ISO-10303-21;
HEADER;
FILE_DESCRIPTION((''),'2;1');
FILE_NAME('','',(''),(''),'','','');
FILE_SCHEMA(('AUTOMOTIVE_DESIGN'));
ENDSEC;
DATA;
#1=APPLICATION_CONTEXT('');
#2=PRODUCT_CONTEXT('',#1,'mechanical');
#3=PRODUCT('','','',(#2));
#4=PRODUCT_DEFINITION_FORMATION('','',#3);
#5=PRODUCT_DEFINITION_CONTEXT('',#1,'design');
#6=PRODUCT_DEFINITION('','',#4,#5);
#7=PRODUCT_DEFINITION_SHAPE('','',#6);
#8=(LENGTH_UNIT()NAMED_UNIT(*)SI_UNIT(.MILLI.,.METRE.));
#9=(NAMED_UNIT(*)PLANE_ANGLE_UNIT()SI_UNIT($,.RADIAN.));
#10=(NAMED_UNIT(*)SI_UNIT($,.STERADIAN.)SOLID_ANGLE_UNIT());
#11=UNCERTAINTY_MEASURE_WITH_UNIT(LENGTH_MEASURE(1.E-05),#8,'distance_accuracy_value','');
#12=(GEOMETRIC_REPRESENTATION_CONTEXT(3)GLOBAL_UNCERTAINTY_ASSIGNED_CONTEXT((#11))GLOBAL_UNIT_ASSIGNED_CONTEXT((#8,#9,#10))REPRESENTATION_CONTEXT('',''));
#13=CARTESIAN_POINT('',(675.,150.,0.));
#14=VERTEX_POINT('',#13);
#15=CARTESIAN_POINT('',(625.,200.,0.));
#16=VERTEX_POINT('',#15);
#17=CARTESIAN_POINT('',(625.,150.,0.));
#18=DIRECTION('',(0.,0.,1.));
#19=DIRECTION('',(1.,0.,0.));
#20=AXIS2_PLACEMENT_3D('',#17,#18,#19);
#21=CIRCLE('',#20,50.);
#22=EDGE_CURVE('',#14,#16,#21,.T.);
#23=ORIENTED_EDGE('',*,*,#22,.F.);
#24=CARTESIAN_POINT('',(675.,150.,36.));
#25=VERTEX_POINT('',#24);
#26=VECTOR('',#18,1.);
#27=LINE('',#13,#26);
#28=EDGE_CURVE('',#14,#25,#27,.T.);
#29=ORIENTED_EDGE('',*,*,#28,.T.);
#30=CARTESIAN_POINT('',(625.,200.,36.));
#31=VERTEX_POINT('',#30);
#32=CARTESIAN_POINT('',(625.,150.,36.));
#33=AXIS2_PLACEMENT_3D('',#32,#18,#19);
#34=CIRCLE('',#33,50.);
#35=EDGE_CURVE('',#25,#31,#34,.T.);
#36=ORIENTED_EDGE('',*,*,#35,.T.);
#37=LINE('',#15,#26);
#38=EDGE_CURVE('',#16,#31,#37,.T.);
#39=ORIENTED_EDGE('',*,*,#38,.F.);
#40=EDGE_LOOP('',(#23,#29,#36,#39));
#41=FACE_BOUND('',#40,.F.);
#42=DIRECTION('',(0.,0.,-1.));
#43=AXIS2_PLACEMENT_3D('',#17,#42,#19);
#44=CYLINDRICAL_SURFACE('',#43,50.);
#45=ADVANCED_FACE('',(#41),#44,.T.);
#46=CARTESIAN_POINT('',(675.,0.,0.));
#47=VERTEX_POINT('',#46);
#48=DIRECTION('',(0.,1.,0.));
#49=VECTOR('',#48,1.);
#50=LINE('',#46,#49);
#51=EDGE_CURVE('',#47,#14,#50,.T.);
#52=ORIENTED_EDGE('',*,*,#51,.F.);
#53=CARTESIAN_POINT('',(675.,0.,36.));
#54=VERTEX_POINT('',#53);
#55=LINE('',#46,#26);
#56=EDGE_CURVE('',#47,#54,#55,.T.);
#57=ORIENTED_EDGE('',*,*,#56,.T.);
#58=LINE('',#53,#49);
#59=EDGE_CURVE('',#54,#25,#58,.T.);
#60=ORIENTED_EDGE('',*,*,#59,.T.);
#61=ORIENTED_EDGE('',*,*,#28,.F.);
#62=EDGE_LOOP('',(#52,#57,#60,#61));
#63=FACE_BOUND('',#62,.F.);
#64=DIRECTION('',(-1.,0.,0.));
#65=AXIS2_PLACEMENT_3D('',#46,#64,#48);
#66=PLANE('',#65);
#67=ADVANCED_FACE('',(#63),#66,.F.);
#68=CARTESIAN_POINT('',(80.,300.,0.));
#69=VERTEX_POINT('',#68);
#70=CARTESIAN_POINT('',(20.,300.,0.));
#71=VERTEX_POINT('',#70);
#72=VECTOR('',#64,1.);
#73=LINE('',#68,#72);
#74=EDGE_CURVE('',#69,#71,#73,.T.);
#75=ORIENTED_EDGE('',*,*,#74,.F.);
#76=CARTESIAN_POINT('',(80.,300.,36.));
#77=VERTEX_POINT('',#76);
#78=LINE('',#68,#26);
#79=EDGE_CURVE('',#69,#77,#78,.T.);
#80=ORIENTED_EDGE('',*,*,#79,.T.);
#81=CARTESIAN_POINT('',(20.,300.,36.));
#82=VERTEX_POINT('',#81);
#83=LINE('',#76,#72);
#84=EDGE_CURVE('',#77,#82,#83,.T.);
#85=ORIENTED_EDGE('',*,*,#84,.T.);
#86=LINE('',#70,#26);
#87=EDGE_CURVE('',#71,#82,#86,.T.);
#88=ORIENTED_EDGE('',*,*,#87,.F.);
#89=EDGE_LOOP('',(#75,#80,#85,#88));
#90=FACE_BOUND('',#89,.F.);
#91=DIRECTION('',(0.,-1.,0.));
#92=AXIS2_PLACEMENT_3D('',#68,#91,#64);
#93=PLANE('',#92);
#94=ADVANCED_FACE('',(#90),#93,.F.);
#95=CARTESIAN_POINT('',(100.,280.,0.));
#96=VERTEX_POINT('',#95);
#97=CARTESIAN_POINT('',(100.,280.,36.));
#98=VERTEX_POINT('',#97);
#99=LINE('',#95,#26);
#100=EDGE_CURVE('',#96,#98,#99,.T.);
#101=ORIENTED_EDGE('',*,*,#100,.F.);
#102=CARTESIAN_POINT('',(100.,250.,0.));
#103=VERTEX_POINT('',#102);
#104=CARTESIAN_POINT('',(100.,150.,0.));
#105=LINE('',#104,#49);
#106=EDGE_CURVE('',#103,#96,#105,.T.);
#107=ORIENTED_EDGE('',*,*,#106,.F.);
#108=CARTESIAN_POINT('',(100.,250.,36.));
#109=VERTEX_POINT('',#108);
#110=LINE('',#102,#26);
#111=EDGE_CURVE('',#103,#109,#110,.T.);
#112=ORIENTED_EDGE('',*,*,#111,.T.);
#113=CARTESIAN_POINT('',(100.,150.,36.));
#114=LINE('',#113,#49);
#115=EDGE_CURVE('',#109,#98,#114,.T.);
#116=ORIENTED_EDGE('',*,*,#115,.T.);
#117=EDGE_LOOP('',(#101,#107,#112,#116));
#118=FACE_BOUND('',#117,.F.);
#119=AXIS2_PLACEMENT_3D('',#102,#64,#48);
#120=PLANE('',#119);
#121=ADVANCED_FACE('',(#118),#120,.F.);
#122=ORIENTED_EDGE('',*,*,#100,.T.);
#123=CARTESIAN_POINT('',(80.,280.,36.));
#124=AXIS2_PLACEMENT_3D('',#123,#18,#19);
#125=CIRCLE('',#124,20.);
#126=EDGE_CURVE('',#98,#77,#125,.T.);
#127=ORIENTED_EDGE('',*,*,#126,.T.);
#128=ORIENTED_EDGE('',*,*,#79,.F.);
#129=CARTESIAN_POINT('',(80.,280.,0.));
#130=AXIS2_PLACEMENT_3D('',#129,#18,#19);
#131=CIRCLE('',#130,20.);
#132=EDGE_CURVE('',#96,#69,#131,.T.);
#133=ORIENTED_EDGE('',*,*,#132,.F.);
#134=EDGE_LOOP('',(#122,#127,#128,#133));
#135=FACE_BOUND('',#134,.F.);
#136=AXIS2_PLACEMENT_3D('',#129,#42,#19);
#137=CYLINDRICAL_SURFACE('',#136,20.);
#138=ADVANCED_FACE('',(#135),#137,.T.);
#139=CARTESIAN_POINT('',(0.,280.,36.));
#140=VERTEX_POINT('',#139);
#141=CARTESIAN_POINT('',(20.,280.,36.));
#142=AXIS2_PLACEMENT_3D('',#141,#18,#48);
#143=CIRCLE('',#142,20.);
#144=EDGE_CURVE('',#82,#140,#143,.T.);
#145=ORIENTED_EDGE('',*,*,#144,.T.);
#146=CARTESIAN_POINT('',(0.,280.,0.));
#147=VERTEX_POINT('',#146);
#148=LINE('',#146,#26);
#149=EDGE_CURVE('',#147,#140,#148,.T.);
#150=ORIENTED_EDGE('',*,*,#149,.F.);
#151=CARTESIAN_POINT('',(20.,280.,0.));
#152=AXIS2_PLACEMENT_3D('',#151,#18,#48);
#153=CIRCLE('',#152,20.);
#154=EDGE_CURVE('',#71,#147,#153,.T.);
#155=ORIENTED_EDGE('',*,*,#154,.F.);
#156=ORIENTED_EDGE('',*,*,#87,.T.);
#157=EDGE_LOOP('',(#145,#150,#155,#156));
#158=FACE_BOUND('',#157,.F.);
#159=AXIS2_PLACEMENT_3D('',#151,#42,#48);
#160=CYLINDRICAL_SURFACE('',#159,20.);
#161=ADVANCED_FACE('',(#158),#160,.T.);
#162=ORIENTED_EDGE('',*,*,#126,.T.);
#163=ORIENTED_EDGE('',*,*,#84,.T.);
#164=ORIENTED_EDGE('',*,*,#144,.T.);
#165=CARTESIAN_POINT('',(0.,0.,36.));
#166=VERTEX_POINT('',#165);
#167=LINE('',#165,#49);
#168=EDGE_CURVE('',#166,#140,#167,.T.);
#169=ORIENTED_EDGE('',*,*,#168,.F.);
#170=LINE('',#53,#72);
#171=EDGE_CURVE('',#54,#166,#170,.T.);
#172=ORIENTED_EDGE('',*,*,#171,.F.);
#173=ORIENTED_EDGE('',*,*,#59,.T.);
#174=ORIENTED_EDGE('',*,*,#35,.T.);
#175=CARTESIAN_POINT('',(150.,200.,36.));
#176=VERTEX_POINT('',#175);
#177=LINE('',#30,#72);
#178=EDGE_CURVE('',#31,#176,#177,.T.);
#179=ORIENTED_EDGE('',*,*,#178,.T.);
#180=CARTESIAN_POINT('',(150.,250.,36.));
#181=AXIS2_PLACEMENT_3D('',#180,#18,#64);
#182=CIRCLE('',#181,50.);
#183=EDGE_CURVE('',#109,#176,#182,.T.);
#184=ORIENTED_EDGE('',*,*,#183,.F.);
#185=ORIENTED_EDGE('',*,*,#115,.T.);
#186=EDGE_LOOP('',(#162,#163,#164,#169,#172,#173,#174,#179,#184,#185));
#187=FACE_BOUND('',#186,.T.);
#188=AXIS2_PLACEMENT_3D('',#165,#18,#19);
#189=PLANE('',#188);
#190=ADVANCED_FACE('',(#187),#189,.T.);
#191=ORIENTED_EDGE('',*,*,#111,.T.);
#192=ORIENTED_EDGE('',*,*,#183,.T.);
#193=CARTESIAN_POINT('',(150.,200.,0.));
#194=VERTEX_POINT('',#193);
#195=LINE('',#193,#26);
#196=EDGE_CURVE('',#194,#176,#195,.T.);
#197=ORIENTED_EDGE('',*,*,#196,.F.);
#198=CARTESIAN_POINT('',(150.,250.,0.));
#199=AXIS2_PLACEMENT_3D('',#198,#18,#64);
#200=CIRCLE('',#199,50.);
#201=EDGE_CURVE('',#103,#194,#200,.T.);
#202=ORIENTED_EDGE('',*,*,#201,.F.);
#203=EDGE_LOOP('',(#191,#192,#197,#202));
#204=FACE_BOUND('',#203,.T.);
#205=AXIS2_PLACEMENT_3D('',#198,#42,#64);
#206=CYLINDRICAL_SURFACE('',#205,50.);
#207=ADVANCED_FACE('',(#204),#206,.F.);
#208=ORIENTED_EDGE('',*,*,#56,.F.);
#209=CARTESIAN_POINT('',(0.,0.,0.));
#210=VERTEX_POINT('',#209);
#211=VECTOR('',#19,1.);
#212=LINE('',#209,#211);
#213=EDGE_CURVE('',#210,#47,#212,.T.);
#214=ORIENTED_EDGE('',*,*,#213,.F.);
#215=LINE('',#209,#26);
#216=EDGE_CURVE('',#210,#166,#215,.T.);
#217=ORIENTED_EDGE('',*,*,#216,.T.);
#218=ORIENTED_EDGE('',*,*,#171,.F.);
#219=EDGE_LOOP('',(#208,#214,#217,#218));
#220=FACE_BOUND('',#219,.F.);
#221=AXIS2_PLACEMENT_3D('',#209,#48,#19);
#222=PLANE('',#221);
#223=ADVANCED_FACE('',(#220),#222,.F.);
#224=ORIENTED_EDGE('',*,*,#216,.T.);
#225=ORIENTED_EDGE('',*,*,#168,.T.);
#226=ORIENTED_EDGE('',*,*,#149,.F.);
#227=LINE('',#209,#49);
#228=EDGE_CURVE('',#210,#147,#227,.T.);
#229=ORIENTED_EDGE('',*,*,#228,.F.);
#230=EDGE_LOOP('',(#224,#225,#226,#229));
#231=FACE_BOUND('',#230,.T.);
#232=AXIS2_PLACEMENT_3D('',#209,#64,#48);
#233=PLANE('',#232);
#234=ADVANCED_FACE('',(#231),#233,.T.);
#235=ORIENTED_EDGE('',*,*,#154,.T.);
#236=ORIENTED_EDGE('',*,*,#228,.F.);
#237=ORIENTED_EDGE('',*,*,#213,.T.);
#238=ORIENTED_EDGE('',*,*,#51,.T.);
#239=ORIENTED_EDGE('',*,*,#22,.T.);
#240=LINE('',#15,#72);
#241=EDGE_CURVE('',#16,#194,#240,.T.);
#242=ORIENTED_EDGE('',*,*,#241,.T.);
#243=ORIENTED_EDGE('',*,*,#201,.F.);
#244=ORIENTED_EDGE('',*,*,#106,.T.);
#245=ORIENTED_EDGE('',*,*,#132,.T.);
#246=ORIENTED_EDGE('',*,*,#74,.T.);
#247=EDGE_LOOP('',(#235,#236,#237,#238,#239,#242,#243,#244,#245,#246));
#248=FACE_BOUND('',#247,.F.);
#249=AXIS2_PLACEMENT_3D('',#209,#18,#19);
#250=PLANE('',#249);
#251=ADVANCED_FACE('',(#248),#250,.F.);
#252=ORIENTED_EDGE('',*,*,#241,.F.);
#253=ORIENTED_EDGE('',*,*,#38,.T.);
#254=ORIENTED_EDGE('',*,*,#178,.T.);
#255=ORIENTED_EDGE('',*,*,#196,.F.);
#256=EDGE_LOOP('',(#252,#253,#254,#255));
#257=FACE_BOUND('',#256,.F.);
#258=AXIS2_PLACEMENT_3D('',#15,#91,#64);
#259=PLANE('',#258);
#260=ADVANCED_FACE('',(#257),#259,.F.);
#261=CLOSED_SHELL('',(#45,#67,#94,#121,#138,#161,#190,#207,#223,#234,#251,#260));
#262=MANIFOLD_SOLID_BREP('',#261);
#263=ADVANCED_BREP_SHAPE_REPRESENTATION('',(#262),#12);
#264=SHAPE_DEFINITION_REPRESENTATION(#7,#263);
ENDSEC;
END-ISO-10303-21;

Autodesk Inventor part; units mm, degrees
ref_plane "YZ Plane" through (0, 0, 0) normal (1, 0, 0) x (0, 1, 0)
ref_plane "XZ Plane" through (0, 0, 0) normal (0, 1, 0) x (-1, 0, 0)
ref_plane "XY Plane" through (0, 0, 0) normal (0, 0, 1) x (1, 0, 0)
ref_plane "Work Plane1" through (0, 0, 0) normal (0, 0, 1) x (1, 0, 0)
sketch "Sketch1" plane through (0, 0, 0) normal (0, 0, 1) x (1, 0, 0)
  line L0 (0, 0) -> (675, 0) projected
  line L1 (675, 0) -> (675, 150) projected
  line L2 (100, 150) -> (675, 150) projected
  line L3 (100, 150) -> (100, 850) projected
  line L4 (0, 850) -> (100, 850) projected
  line L5 (0, 0) -> (0, 850) projected
  line L6 (0, 0) -> (100, 0)
  line L7 (80, 300) -> (20, 300)
  line L8 (0, 280) -> (0, 0)
  line L9 (100, 0) -> (675, 0)
  line L10 (675, 0) -> (675, 150)
  line L11 (625, 200) -> (150, 200)
  line L12 (100, 200) -> (100, 0)
  line L13 (100, 0) -> (100, 150)
  line L14 (100, 250) -> (100, 280)
  arc A0 (100, 280) -> (80, 300) centre (80, 280) ccw
  arc A1 (20, 300) -> (0, 280) centre (20, 280) ccw
  arc A2 (675, 150) -> (625, 200) centre (625, 150) ccw
  arc A3 (100, 250) -> (150, 200) centre (150, 250) ccw
  point P0 (100, 300)
  point P1 (0, 300)
  point P2 (675, 200)
  dimension "d0" = 150
  dimension "d1" = 200
  dimension "d2" = 300
  dimension "d3" = 20
  dimension "d4" = 20
  dimension "d5" = 50
extrude "Extrusion1" add sketch "Sketch1" along normal blind 36 contours L5 A1 L7 A0 L3 L12 L0 | L12 L2 L1 L0 | L3 A3 L11 A2 L2
properties part number "bracera"
